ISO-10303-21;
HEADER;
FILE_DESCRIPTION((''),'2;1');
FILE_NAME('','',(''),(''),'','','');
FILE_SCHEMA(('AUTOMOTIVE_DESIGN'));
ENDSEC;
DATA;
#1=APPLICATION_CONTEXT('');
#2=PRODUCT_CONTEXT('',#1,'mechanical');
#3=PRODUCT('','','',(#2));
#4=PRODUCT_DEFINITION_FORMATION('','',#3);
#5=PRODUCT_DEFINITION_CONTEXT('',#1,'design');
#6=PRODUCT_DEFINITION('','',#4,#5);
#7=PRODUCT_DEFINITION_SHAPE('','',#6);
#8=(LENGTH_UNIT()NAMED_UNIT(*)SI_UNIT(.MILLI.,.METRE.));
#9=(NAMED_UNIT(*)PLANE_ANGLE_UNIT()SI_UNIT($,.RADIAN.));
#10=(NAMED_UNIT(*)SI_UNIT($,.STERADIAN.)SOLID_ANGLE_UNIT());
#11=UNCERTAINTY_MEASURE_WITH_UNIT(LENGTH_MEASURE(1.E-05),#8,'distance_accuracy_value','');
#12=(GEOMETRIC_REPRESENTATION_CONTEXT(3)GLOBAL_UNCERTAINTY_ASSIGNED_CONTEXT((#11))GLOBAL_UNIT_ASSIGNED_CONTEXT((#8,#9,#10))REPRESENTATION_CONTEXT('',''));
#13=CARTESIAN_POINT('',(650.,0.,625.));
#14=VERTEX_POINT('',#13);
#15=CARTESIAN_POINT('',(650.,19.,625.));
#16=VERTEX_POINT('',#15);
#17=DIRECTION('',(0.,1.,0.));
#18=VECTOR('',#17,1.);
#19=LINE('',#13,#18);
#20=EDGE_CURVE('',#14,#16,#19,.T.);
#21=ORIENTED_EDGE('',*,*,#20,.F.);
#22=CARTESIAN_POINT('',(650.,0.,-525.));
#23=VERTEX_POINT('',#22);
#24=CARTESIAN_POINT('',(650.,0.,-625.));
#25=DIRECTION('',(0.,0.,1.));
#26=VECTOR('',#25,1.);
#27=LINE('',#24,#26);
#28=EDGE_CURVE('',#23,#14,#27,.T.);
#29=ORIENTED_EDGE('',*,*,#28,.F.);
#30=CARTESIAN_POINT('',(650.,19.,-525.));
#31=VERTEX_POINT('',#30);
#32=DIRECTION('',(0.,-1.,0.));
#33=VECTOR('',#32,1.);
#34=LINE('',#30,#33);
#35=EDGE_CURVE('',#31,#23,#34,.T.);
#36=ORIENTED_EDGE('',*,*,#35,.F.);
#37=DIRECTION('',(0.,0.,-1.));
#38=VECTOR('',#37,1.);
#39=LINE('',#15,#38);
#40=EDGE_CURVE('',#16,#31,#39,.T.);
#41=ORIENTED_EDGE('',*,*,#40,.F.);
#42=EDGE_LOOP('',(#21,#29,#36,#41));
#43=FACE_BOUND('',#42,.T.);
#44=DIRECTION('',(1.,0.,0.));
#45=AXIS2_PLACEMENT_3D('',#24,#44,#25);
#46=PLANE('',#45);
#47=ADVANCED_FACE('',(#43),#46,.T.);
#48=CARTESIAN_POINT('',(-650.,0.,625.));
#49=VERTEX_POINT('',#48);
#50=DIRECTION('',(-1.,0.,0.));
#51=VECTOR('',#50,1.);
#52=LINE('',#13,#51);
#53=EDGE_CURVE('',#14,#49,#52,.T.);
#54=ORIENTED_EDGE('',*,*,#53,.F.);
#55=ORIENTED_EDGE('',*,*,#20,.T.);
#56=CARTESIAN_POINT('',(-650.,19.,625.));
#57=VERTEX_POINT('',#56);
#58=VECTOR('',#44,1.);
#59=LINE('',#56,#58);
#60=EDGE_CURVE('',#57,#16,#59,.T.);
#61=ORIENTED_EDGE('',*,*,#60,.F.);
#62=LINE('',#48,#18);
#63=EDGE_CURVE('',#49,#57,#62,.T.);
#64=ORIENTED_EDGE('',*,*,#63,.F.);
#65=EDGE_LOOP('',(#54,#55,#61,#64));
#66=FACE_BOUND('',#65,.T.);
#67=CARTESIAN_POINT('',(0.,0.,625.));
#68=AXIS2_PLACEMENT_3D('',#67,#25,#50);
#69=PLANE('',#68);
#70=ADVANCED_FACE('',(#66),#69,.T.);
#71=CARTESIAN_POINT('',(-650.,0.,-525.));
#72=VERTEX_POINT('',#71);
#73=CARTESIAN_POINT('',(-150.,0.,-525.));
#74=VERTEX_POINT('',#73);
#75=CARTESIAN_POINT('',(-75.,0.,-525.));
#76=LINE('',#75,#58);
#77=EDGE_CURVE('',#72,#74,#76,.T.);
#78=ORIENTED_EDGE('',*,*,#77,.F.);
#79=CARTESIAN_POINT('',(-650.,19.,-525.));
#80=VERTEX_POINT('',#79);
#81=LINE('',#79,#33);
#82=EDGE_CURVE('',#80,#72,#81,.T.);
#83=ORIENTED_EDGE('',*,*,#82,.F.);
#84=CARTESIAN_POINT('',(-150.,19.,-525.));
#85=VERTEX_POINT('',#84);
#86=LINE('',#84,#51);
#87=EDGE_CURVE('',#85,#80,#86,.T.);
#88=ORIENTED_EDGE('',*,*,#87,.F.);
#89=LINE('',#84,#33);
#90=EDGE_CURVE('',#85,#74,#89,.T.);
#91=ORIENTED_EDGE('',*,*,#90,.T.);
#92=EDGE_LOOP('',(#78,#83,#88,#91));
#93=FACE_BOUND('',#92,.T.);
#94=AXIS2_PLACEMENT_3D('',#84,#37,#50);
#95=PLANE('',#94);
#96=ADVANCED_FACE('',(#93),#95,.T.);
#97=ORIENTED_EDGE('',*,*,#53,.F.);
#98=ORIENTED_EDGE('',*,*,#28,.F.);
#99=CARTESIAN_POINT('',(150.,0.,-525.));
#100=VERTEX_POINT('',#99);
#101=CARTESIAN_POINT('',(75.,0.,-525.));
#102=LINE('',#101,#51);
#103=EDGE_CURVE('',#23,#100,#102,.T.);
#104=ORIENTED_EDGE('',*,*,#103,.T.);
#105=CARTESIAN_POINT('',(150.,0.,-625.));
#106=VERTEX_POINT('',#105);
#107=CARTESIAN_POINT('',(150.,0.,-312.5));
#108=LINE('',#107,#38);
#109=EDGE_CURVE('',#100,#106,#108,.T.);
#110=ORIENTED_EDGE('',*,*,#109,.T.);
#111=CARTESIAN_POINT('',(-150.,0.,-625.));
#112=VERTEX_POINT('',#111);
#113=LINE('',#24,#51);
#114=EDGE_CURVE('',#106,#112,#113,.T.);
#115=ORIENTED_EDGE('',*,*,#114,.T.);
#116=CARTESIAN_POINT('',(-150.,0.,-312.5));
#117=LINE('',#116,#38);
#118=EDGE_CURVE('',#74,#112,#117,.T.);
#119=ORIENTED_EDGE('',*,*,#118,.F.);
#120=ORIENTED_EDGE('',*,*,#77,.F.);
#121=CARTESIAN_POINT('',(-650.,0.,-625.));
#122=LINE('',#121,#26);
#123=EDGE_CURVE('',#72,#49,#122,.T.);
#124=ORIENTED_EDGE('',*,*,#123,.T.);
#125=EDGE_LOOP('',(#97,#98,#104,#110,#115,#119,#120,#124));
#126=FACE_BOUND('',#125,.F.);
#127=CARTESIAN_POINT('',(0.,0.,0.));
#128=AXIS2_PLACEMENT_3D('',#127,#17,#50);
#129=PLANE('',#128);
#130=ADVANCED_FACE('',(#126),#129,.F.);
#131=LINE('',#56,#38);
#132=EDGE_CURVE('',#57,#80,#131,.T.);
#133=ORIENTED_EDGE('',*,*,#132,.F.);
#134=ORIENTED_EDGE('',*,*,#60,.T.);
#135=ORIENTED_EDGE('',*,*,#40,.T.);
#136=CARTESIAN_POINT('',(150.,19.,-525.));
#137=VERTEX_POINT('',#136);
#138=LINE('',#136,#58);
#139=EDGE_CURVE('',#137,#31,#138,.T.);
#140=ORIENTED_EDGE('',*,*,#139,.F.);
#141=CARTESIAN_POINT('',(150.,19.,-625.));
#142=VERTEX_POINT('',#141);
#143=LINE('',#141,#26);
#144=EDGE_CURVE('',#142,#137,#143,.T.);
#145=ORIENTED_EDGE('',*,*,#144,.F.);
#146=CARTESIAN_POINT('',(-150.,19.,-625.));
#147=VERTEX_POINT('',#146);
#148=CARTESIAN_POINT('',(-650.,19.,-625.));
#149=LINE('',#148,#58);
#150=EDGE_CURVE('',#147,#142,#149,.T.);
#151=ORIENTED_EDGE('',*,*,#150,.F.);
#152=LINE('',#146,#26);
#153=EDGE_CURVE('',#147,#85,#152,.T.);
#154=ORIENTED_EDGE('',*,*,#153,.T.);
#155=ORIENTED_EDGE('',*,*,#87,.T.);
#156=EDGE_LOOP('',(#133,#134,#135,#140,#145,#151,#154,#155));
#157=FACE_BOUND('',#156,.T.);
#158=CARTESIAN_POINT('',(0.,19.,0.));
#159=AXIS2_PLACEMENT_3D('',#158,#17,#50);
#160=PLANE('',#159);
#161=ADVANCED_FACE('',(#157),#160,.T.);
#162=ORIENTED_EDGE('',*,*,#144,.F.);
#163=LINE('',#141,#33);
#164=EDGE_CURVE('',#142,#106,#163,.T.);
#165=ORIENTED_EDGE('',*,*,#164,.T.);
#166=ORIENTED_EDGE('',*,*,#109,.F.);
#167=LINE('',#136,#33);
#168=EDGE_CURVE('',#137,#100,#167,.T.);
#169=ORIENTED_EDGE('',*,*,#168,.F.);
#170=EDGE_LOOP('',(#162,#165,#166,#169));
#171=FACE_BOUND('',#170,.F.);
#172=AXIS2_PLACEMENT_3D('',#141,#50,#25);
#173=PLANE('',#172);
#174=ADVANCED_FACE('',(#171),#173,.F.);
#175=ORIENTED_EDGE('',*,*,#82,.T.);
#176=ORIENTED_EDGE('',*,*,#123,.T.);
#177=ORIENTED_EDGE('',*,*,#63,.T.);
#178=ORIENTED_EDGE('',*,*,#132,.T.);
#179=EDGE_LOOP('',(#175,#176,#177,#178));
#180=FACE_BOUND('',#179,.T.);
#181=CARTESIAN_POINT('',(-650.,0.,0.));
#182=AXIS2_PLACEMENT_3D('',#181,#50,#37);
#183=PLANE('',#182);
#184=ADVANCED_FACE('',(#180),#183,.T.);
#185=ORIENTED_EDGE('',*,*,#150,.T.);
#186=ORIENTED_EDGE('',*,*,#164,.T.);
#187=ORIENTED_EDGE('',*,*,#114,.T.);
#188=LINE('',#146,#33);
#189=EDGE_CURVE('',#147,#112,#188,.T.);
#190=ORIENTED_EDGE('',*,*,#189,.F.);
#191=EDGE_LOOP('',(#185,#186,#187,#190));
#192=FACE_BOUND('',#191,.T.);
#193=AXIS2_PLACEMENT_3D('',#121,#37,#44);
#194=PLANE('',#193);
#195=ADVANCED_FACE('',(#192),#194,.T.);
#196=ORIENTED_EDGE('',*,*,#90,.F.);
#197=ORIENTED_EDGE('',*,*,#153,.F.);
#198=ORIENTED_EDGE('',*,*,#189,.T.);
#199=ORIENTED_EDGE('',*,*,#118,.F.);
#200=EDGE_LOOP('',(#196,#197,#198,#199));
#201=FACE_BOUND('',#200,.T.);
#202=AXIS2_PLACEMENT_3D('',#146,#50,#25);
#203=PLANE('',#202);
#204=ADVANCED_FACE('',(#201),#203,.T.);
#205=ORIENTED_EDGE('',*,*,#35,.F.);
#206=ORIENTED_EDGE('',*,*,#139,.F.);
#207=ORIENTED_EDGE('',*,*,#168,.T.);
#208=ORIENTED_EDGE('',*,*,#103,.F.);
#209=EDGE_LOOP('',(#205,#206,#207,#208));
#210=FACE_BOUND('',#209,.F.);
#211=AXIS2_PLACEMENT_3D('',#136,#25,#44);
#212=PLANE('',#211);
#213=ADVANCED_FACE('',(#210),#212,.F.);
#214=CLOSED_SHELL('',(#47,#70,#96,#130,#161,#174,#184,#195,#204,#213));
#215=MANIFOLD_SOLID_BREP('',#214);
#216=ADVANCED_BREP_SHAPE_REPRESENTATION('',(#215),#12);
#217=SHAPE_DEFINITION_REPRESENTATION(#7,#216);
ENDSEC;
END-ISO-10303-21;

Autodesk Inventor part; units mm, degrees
ref_plane "YZ Plane" through (0, 0, 0) normal (1, 0, 0) x (0, 1, 0)
ref_plane "XZ Plane" through (0, 0, 0) normal (0, 1, 0) x (-1, 0, 0)
ref_plane "XY Plane" through (0, 0, 0) normal (0, 0, 1) x (1, 0, 0)
sketch "Sketch1" plane through (0, 0, 0) normal (0, 1, 0) x (-1, 0, 0)
  line L0 (650, -625) -> (-650, -625)
  line L1 (-650, -625) -> (-650, 625)
  line L2 (-650, 625) -> (650, 625)
  line L3 (650, 625) -> (650, -625)
  line L4 (0, -625) -> (0, 625)
  line L5 (650, 0) -> (-650, 0)
  point P0 (0, 0)
  point P1 (0, 0)
  dimension "d0" = 1250
  dimension "d1" = 1300
extrude "Extrusion1" add sketch "Sketch1" along normal blind 19
sketch "Sketch2" plane through (0, 19, 0) normal (0, 1, 0) x (1, 0, 0)
  line L0 (650, 625) -> (-650, 625) projected
  line L1 (650, 625) -> (150, 625)
  line L2 (150, 625) -> (150, 525)
  line L3 (150, 525) -> (650, 525)
  line L4 (650, 525) -> (650, 625)
  line L5 (-650, 625) -> (-150, 625)
  line L6 (-150, 625) -> (-150, 525)
  line L7 (-150, 525) -> (-650, 525)
  line L8 (-650, 525) -> (-650, 625)
  line L9 (0, 525) -> (-1292.5, 525) projected
  line L10 (0, 525) -> (0, 625)
  point P0 (0, 0)
  dimension "d4" = 300
extrude "Extrusion2" cut sketch "Sketch2" against normal up to next contours L4 L3 L2 L0 | L6 L7 L8 L0
properties part number "Base_Under" material "MDF Medium Density Fiberboard"
